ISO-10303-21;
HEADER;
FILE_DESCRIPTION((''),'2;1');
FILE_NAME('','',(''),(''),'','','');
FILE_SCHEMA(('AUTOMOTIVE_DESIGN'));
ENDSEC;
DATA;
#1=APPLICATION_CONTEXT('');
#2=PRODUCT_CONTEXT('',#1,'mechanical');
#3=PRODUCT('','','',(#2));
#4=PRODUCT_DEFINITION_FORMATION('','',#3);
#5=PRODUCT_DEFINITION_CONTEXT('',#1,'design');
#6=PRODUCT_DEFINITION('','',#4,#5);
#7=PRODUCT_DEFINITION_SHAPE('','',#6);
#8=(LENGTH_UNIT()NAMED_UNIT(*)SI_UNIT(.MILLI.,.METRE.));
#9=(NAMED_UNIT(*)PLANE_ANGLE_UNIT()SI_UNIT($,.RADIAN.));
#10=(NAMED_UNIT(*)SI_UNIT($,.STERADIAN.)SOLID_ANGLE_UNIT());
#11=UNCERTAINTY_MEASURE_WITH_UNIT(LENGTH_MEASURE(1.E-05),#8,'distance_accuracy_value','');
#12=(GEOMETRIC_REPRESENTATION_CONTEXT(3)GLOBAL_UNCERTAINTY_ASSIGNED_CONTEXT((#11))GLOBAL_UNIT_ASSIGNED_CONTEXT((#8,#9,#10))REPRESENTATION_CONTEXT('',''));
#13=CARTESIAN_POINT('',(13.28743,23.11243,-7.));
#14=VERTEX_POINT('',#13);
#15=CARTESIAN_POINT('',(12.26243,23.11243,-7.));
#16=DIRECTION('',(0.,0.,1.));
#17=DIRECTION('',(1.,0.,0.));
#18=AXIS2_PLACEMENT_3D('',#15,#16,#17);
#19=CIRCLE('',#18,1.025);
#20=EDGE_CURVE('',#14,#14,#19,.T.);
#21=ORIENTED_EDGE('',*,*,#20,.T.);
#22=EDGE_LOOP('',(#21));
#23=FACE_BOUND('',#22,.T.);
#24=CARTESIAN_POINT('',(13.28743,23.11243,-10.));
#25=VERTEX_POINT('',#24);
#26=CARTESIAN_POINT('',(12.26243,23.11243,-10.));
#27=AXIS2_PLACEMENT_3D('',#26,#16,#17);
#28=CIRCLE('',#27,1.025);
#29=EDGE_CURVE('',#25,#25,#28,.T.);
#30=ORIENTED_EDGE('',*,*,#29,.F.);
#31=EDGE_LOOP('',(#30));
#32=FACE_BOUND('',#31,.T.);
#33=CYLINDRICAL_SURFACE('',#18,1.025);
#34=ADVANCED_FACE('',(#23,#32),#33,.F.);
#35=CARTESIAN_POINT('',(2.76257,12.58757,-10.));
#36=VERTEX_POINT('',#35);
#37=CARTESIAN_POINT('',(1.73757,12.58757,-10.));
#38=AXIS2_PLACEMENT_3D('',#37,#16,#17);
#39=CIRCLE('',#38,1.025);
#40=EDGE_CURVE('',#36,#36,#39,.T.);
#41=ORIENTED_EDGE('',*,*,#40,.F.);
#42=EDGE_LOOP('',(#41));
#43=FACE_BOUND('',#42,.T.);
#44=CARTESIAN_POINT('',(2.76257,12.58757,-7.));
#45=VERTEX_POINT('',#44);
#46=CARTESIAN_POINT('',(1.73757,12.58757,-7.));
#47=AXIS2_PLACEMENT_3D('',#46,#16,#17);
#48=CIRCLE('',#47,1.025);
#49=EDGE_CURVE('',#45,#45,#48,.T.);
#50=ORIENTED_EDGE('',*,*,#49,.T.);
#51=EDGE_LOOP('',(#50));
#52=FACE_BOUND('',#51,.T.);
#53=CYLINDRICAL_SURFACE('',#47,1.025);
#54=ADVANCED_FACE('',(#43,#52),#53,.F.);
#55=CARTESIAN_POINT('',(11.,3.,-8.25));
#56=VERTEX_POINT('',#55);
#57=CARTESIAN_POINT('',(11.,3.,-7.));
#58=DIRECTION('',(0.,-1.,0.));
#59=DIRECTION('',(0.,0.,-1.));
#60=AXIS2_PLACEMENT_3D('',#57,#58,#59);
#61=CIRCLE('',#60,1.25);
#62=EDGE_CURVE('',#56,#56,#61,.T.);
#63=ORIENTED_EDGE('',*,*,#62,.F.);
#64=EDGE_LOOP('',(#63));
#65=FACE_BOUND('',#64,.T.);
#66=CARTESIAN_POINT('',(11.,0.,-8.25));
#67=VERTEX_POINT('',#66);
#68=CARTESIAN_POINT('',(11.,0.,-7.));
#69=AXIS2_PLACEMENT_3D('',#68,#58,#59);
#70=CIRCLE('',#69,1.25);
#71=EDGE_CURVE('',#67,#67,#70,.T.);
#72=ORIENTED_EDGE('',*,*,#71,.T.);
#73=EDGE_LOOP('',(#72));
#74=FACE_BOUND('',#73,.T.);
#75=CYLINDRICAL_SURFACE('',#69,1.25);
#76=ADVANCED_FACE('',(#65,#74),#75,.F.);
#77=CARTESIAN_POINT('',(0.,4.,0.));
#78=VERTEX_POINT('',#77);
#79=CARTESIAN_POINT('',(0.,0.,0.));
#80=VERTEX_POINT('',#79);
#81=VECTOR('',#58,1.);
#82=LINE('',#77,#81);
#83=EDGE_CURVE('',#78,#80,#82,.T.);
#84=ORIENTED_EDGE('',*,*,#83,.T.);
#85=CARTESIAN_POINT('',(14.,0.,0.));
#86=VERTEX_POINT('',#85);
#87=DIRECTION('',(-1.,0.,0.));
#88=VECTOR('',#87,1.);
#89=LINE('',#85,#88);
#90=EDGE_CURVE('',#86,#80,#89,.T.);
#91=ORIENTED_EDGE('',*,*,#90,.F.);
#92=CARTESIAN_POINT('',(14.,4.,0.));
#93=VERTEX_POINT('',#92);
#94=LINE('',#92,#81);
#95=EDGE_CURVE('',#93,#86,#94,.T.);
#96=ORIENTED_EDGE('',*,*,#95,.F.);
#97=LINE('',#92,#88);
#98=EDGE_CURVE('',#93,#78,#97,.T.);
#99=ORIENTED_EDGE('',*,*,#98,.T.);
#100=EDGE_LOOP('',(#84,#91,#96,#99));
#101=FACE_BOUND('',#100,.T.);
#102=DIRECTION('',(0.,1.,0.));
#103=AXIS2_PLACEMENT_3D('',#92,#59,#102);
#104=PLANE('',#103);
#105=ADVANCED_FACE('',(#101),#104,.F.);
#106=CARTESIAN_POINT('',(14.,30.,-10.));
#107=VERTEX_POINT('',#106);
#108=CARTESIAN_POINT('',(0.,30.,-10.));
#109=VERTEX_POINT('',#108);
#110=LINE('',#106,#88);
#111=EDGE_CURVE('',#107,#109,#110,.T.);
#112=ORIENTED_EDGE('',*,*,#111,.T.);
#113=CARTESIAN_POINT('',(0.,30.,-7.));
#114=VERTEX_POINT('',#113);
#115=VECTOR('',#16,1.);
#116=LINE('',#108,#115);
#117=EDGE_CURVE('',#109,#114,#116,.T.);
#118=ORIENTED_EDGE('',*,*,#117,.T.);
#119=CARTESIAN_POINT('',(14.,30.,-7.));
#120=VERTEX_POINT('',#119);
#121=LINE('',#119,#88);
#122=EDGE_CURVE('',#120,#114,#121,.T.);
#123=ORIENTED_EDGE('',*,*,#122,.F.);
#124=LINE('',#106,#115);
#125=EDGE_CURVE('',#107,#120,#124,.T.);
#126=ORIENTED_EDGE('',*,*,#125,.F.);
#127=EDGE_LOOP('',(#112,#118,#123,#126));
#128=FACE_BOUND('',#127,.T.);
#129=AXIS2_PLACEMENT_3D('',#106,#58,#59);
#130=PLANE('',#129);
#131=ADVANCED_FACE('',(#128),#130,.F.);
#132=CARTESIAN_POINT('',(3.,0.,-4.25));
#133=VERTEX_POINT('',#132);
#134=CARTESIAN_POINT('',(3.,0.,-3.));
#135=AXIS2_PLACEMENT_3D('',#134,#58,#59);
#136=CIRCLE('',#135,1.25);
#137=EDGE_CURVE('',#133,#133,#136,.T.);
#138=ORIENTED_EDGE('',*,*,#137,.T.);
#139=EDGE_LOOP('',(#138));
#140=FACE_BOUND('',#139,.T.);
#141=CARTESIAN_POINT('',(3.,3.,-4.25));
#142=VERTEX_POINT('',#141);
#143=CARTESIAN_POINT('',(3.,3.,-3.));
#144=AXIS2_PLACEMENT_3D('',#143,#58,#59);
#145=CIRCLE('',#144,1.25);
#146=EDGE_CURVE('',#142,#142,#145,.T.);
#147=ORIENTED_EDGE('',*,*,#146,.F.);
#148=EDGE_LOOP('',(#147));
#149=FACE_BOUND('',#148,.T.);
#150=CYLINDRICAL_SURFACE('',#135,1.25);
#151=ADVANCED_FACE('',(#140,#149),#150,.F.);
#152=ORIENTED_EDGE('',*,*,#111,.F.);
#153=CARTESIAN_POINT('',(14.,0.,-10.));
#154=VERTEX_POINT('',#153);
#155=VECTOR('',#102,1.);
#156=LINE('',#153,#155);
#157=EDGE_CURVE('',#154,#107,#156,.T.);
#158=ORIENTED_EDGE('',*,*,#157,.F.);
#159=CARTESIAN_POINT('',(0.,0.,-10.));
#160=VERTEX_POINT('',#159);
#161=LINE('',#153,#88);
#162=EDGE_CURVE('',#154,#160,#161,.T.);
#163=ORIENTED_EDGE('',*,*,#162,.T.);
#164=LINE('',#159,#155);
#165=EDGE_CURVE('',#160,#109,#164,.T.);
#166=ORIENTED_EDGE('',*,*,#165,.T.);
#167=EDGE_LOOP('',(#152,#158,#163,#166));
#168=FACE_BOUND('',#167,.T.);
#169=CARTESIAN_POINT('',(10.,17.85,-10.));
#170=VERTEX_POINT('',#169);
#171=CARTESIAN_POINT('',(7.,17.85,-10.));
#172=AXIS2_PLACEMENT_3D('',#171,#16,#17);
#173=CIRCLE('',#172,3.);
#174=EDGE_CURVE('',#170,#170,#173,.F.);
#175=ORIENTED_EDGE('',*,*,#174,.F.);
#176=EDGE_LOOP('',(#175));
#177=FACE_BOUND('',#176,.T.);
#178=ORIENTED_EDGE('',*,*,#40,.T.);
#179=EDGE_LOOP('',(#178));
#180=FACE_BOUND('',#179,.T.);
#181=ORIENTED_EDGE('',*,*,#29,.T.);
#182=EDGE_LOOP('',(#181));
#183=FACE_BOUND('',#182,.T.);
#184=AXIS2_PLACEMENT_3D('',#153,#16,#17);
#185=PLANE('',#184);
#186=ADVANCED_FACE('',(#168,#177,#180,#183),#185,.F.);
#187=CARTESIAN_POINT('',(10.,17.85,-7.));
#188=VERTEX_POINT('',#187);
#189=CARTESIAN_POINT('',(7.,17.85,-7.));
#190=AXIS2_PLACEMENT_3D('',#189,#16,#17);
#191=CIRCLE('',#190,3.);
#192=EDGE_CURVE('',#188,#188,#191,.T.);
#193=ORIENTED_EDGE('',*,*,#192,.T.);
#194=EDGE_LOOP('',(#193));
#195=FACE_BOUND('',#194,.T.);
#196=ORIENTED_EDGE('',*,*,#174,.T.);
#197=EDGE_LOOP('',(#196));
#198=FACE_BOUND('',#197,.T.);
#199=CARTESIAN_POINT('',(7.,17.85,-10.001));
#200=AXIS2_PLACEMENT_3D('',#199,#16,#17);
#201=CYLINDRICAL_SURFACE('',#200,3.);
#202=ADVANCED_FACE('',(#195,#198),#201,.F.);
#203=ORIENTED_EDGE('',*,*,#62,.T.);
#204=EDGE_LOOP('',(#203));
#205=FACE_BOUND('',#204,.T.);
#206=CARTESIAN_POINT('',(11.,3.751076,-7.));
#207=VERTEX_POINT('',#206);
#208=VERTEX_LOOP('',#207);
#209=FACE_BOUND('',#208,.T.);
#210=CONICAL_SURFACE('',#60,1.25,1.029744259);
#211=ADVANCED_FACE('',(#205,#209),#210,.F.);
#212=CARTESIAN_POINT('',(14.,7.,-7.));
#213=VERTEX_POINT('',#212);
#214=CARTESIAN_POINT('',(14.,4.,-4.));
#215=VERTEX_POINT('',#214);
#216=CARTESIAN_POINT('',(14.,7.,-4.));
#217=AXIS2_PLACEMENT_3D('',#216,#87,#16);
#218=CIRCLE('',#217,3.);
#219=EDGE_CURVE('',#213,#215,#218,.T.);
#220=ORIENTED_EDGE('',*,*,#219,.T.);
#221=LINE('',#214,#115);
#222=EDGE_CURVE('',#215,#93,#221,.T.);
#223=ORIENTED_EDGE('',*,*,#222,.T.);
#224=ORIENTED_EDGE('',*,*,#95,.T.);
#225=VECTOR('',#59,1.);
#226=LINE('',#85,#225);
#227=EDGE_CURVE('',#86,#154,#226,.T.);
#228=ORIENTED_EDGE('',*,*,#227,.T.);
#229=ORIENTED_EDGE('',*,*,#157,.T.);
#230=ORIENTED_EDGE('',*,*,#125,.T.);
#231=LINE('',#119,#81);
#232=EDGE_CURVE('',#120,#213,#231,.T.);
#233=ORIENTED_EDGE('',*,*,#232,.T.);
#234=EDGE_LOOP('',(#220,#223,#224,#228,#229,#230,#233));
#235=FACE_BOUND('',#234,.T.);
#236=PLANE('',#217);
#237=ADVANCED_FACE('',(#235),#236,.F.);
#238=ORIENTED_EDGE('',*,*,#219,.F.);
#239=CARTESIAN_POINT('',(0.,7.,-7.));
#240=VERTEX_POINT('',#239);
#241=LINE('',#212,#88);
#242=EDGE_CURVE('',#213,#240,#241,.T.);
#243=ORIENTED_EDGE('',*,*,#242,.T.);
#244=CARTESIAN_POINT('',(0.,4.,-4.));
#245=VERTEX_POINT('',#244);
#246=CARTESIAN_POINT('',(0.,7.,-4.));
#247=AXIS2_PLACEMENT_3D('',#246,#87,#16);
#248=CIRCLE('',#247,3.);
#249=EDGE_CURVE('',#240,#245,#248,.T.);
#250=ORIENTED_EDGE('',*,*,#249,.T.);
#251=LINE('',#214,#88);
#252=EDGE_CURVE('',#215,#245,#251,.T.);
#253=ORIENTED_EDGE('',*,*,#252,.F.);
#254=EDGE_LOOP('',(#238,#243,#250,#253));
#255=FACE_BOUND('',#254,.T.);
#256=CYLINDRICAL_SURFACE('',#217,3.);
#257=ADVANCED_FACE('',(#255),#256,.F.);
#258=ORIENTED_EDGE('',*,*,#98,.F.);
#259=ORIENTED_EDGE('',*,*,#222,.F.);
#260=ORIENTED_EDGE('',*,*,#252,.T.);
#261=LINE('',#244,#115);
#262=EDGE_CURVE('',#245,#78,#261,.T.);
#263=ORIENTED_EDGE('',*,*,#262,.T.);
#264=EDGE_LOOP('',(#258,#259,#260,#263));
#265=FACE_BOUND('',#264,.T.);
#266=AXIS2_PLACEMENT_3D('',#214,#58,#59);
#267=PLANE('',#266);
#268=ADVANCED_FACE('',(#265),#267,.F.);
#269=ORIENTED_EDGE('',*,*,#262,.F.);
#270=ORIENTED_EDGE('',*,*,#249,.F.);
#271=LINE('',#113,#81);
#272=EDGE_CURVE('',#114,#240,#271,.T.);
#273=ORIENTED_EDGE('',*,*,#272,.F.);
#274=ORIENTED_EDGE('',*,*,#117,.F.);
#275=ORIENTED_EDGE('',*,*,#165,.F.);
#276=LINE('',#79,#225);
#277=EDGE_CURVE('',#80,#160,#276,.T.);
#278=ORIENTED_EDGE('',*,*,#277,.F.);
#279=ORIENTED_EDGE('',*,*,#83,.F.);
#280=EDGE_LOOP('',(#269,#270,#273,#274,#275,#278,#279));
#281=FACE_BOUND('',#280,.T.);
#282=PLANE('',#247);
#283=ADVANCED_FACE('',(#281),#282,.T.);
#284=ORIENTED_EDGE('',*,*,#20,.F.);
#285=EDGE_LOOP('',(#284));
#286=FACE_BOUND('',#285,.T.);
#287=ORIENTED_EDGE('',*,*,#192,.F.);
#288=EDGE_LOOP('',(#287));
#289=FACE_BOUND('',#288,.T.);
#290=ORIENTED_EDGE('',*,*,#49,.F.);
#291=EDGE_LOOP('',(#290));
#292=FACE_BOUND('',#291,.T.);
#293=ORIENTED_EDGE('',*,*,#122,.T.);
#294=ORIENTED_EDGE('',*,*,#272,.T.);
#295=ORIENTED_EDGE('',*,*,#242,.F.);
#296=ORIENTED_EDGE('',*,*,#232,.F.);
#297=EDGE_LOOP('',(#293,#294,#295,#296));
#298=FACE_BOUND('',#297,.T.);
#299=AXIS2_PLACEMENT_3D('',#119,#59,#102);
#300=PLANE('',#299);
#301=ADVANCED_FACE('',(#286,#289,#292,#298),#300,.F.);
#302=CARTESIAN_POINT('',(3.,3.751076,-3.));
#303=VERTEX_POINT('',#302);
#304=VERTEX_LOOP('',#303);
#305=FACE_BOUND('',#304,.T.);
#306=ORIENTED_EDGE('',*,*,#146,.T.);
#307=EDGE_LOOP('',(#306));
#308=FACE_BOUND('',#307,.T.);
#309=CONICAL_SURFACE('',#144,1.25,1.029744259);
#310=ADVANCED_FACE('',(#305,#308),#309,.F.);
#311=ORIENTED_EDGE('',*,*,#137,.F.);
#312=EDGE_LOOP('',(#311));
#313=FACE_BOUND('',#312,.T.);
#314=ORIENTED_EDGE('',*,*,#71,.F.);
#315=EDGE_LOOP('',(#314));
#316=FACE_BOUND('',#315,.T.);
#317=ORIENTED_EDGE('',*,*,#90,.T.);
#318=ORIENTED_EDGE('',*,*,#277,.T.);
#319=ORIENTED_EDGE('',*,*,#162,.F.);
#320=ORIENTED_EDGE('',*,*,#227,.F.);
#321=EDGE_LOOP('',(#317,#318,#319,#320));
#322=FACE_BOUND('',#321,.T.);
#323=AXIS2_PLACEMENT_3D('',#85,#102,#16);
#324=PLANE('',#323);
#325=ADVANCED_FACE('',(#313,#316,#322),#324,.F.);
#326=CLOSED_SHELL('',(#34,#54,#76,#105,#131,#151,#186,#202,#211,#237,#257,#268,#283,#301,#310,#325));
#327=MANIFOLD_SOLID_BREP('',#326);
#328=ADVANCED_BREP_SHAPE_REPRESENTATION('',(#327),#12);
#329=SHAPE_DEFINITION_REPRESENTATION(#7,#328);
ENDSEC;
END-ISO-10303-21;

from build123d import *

# Parameters (mm, degrees)
BOSS_EXTRUDE1_DEPTH                = 14
TAP_DRILL_FOR_M3X0_5_TAP1_D        = 2.5
TAP_DRILL_FOR_M3X0_5_TAP1_DEPTH    = 3
TAP_DRILL_FOR_M3X0_5_TAP1_TIP      = 0.751075774
CUT_EXTRUDE1_REACH                 = 5
SKETCH4_R                          = 3
TAP_DRILL_FOR_M2_5X0_45_TAP1_D     = 2.05
TAP_DRILL_FOR_M2_5X0_45_TAP1_DEPTH = 3


with BuildPart() as part:
    # Sketch1 → Boss-Extrude1 (new body)
    with BuildSketch(Plane(origin=(0, 0, 0), x_dir=(0, 0, -1), z_dir=(1, 0, 0))):
        with BuildLine():
            Line((0, 0), (10, 0))
            Line((10, 0), (10, 30))
            Line((10, 30), (7, 30))
            Line((7, 30), (7, 7))
            ThreePointArc((7, 7), (6.121320344, 4.878679656), (4, 4))
            Line((4, 4), (0, 4))
            Line((0, 4), (0, 0))
        make_face()
    extrude(amount=BOSS_EXTRUDE1_DEPTH)

    # Tap Drill for M3x0.5 Tap1
    with Locations(Plane(origin=(0, 0, 0), x_dir=(-1, 0, 0), z_dir=(0, -1, 0))):
        with Locations((-11, 7), (-3, 3)):
            Hole(TAP_DRILL_FOR_M3X0_5_TAP1_D / 2, depth=TAP_DRILL_FOR_M3X0_5_TAP1_DEPTH)
            with Locations((0, 0, -(TAP_DRILL_FOR_M3X0_5_TAP1_DEPTH + TAP_DRILL_FOR_M3X0_5_TAP1_TIP / 2))):  # 118° drill point
                Cone(0, TAP_DRILL_FOR_M3X0_5_TAP1_D / 2, TAP_DRILL_FOR_M3X0_5_TAP1_TIP, mode=Mode.SUBTRACT)

    # Sketch4 → Cut-Extrude1 (cut, up to next)
    with BuildSketch(Plane.XY.offset(-7), mode=Mode.PRIVATE) as cut_extrude1_sk1:
        with Locations((7, 17.85)):
            Circle(SKETCH4_R)
    cut_extrude1_tool1 = extrude(cut_extrude1_sk1.sketch, amount=-CUT_EXTRUDE1_REACH, mode=Mode.PRIVATE) & part.part
    add(cut_extrude1_tool1.solids().sort_by_distance((7, 17.85, -7))[0], mode=Mode.SUBTRACT)

    # Tap Drill for M2.5x0.45 Tap1
    with Locations(Plane.XY.offset(-7)):
        with Locations((1.737569913, 12.587569913), (12.262430087, 23.112430087)):
            Hole(TAP_DRILL_FOR_M2_5X0_45_TAP1_D / 2, depth=TAP_DRILL_FOR_M2_5X0_45_TAP1_DEPTH)


solid = part.part
